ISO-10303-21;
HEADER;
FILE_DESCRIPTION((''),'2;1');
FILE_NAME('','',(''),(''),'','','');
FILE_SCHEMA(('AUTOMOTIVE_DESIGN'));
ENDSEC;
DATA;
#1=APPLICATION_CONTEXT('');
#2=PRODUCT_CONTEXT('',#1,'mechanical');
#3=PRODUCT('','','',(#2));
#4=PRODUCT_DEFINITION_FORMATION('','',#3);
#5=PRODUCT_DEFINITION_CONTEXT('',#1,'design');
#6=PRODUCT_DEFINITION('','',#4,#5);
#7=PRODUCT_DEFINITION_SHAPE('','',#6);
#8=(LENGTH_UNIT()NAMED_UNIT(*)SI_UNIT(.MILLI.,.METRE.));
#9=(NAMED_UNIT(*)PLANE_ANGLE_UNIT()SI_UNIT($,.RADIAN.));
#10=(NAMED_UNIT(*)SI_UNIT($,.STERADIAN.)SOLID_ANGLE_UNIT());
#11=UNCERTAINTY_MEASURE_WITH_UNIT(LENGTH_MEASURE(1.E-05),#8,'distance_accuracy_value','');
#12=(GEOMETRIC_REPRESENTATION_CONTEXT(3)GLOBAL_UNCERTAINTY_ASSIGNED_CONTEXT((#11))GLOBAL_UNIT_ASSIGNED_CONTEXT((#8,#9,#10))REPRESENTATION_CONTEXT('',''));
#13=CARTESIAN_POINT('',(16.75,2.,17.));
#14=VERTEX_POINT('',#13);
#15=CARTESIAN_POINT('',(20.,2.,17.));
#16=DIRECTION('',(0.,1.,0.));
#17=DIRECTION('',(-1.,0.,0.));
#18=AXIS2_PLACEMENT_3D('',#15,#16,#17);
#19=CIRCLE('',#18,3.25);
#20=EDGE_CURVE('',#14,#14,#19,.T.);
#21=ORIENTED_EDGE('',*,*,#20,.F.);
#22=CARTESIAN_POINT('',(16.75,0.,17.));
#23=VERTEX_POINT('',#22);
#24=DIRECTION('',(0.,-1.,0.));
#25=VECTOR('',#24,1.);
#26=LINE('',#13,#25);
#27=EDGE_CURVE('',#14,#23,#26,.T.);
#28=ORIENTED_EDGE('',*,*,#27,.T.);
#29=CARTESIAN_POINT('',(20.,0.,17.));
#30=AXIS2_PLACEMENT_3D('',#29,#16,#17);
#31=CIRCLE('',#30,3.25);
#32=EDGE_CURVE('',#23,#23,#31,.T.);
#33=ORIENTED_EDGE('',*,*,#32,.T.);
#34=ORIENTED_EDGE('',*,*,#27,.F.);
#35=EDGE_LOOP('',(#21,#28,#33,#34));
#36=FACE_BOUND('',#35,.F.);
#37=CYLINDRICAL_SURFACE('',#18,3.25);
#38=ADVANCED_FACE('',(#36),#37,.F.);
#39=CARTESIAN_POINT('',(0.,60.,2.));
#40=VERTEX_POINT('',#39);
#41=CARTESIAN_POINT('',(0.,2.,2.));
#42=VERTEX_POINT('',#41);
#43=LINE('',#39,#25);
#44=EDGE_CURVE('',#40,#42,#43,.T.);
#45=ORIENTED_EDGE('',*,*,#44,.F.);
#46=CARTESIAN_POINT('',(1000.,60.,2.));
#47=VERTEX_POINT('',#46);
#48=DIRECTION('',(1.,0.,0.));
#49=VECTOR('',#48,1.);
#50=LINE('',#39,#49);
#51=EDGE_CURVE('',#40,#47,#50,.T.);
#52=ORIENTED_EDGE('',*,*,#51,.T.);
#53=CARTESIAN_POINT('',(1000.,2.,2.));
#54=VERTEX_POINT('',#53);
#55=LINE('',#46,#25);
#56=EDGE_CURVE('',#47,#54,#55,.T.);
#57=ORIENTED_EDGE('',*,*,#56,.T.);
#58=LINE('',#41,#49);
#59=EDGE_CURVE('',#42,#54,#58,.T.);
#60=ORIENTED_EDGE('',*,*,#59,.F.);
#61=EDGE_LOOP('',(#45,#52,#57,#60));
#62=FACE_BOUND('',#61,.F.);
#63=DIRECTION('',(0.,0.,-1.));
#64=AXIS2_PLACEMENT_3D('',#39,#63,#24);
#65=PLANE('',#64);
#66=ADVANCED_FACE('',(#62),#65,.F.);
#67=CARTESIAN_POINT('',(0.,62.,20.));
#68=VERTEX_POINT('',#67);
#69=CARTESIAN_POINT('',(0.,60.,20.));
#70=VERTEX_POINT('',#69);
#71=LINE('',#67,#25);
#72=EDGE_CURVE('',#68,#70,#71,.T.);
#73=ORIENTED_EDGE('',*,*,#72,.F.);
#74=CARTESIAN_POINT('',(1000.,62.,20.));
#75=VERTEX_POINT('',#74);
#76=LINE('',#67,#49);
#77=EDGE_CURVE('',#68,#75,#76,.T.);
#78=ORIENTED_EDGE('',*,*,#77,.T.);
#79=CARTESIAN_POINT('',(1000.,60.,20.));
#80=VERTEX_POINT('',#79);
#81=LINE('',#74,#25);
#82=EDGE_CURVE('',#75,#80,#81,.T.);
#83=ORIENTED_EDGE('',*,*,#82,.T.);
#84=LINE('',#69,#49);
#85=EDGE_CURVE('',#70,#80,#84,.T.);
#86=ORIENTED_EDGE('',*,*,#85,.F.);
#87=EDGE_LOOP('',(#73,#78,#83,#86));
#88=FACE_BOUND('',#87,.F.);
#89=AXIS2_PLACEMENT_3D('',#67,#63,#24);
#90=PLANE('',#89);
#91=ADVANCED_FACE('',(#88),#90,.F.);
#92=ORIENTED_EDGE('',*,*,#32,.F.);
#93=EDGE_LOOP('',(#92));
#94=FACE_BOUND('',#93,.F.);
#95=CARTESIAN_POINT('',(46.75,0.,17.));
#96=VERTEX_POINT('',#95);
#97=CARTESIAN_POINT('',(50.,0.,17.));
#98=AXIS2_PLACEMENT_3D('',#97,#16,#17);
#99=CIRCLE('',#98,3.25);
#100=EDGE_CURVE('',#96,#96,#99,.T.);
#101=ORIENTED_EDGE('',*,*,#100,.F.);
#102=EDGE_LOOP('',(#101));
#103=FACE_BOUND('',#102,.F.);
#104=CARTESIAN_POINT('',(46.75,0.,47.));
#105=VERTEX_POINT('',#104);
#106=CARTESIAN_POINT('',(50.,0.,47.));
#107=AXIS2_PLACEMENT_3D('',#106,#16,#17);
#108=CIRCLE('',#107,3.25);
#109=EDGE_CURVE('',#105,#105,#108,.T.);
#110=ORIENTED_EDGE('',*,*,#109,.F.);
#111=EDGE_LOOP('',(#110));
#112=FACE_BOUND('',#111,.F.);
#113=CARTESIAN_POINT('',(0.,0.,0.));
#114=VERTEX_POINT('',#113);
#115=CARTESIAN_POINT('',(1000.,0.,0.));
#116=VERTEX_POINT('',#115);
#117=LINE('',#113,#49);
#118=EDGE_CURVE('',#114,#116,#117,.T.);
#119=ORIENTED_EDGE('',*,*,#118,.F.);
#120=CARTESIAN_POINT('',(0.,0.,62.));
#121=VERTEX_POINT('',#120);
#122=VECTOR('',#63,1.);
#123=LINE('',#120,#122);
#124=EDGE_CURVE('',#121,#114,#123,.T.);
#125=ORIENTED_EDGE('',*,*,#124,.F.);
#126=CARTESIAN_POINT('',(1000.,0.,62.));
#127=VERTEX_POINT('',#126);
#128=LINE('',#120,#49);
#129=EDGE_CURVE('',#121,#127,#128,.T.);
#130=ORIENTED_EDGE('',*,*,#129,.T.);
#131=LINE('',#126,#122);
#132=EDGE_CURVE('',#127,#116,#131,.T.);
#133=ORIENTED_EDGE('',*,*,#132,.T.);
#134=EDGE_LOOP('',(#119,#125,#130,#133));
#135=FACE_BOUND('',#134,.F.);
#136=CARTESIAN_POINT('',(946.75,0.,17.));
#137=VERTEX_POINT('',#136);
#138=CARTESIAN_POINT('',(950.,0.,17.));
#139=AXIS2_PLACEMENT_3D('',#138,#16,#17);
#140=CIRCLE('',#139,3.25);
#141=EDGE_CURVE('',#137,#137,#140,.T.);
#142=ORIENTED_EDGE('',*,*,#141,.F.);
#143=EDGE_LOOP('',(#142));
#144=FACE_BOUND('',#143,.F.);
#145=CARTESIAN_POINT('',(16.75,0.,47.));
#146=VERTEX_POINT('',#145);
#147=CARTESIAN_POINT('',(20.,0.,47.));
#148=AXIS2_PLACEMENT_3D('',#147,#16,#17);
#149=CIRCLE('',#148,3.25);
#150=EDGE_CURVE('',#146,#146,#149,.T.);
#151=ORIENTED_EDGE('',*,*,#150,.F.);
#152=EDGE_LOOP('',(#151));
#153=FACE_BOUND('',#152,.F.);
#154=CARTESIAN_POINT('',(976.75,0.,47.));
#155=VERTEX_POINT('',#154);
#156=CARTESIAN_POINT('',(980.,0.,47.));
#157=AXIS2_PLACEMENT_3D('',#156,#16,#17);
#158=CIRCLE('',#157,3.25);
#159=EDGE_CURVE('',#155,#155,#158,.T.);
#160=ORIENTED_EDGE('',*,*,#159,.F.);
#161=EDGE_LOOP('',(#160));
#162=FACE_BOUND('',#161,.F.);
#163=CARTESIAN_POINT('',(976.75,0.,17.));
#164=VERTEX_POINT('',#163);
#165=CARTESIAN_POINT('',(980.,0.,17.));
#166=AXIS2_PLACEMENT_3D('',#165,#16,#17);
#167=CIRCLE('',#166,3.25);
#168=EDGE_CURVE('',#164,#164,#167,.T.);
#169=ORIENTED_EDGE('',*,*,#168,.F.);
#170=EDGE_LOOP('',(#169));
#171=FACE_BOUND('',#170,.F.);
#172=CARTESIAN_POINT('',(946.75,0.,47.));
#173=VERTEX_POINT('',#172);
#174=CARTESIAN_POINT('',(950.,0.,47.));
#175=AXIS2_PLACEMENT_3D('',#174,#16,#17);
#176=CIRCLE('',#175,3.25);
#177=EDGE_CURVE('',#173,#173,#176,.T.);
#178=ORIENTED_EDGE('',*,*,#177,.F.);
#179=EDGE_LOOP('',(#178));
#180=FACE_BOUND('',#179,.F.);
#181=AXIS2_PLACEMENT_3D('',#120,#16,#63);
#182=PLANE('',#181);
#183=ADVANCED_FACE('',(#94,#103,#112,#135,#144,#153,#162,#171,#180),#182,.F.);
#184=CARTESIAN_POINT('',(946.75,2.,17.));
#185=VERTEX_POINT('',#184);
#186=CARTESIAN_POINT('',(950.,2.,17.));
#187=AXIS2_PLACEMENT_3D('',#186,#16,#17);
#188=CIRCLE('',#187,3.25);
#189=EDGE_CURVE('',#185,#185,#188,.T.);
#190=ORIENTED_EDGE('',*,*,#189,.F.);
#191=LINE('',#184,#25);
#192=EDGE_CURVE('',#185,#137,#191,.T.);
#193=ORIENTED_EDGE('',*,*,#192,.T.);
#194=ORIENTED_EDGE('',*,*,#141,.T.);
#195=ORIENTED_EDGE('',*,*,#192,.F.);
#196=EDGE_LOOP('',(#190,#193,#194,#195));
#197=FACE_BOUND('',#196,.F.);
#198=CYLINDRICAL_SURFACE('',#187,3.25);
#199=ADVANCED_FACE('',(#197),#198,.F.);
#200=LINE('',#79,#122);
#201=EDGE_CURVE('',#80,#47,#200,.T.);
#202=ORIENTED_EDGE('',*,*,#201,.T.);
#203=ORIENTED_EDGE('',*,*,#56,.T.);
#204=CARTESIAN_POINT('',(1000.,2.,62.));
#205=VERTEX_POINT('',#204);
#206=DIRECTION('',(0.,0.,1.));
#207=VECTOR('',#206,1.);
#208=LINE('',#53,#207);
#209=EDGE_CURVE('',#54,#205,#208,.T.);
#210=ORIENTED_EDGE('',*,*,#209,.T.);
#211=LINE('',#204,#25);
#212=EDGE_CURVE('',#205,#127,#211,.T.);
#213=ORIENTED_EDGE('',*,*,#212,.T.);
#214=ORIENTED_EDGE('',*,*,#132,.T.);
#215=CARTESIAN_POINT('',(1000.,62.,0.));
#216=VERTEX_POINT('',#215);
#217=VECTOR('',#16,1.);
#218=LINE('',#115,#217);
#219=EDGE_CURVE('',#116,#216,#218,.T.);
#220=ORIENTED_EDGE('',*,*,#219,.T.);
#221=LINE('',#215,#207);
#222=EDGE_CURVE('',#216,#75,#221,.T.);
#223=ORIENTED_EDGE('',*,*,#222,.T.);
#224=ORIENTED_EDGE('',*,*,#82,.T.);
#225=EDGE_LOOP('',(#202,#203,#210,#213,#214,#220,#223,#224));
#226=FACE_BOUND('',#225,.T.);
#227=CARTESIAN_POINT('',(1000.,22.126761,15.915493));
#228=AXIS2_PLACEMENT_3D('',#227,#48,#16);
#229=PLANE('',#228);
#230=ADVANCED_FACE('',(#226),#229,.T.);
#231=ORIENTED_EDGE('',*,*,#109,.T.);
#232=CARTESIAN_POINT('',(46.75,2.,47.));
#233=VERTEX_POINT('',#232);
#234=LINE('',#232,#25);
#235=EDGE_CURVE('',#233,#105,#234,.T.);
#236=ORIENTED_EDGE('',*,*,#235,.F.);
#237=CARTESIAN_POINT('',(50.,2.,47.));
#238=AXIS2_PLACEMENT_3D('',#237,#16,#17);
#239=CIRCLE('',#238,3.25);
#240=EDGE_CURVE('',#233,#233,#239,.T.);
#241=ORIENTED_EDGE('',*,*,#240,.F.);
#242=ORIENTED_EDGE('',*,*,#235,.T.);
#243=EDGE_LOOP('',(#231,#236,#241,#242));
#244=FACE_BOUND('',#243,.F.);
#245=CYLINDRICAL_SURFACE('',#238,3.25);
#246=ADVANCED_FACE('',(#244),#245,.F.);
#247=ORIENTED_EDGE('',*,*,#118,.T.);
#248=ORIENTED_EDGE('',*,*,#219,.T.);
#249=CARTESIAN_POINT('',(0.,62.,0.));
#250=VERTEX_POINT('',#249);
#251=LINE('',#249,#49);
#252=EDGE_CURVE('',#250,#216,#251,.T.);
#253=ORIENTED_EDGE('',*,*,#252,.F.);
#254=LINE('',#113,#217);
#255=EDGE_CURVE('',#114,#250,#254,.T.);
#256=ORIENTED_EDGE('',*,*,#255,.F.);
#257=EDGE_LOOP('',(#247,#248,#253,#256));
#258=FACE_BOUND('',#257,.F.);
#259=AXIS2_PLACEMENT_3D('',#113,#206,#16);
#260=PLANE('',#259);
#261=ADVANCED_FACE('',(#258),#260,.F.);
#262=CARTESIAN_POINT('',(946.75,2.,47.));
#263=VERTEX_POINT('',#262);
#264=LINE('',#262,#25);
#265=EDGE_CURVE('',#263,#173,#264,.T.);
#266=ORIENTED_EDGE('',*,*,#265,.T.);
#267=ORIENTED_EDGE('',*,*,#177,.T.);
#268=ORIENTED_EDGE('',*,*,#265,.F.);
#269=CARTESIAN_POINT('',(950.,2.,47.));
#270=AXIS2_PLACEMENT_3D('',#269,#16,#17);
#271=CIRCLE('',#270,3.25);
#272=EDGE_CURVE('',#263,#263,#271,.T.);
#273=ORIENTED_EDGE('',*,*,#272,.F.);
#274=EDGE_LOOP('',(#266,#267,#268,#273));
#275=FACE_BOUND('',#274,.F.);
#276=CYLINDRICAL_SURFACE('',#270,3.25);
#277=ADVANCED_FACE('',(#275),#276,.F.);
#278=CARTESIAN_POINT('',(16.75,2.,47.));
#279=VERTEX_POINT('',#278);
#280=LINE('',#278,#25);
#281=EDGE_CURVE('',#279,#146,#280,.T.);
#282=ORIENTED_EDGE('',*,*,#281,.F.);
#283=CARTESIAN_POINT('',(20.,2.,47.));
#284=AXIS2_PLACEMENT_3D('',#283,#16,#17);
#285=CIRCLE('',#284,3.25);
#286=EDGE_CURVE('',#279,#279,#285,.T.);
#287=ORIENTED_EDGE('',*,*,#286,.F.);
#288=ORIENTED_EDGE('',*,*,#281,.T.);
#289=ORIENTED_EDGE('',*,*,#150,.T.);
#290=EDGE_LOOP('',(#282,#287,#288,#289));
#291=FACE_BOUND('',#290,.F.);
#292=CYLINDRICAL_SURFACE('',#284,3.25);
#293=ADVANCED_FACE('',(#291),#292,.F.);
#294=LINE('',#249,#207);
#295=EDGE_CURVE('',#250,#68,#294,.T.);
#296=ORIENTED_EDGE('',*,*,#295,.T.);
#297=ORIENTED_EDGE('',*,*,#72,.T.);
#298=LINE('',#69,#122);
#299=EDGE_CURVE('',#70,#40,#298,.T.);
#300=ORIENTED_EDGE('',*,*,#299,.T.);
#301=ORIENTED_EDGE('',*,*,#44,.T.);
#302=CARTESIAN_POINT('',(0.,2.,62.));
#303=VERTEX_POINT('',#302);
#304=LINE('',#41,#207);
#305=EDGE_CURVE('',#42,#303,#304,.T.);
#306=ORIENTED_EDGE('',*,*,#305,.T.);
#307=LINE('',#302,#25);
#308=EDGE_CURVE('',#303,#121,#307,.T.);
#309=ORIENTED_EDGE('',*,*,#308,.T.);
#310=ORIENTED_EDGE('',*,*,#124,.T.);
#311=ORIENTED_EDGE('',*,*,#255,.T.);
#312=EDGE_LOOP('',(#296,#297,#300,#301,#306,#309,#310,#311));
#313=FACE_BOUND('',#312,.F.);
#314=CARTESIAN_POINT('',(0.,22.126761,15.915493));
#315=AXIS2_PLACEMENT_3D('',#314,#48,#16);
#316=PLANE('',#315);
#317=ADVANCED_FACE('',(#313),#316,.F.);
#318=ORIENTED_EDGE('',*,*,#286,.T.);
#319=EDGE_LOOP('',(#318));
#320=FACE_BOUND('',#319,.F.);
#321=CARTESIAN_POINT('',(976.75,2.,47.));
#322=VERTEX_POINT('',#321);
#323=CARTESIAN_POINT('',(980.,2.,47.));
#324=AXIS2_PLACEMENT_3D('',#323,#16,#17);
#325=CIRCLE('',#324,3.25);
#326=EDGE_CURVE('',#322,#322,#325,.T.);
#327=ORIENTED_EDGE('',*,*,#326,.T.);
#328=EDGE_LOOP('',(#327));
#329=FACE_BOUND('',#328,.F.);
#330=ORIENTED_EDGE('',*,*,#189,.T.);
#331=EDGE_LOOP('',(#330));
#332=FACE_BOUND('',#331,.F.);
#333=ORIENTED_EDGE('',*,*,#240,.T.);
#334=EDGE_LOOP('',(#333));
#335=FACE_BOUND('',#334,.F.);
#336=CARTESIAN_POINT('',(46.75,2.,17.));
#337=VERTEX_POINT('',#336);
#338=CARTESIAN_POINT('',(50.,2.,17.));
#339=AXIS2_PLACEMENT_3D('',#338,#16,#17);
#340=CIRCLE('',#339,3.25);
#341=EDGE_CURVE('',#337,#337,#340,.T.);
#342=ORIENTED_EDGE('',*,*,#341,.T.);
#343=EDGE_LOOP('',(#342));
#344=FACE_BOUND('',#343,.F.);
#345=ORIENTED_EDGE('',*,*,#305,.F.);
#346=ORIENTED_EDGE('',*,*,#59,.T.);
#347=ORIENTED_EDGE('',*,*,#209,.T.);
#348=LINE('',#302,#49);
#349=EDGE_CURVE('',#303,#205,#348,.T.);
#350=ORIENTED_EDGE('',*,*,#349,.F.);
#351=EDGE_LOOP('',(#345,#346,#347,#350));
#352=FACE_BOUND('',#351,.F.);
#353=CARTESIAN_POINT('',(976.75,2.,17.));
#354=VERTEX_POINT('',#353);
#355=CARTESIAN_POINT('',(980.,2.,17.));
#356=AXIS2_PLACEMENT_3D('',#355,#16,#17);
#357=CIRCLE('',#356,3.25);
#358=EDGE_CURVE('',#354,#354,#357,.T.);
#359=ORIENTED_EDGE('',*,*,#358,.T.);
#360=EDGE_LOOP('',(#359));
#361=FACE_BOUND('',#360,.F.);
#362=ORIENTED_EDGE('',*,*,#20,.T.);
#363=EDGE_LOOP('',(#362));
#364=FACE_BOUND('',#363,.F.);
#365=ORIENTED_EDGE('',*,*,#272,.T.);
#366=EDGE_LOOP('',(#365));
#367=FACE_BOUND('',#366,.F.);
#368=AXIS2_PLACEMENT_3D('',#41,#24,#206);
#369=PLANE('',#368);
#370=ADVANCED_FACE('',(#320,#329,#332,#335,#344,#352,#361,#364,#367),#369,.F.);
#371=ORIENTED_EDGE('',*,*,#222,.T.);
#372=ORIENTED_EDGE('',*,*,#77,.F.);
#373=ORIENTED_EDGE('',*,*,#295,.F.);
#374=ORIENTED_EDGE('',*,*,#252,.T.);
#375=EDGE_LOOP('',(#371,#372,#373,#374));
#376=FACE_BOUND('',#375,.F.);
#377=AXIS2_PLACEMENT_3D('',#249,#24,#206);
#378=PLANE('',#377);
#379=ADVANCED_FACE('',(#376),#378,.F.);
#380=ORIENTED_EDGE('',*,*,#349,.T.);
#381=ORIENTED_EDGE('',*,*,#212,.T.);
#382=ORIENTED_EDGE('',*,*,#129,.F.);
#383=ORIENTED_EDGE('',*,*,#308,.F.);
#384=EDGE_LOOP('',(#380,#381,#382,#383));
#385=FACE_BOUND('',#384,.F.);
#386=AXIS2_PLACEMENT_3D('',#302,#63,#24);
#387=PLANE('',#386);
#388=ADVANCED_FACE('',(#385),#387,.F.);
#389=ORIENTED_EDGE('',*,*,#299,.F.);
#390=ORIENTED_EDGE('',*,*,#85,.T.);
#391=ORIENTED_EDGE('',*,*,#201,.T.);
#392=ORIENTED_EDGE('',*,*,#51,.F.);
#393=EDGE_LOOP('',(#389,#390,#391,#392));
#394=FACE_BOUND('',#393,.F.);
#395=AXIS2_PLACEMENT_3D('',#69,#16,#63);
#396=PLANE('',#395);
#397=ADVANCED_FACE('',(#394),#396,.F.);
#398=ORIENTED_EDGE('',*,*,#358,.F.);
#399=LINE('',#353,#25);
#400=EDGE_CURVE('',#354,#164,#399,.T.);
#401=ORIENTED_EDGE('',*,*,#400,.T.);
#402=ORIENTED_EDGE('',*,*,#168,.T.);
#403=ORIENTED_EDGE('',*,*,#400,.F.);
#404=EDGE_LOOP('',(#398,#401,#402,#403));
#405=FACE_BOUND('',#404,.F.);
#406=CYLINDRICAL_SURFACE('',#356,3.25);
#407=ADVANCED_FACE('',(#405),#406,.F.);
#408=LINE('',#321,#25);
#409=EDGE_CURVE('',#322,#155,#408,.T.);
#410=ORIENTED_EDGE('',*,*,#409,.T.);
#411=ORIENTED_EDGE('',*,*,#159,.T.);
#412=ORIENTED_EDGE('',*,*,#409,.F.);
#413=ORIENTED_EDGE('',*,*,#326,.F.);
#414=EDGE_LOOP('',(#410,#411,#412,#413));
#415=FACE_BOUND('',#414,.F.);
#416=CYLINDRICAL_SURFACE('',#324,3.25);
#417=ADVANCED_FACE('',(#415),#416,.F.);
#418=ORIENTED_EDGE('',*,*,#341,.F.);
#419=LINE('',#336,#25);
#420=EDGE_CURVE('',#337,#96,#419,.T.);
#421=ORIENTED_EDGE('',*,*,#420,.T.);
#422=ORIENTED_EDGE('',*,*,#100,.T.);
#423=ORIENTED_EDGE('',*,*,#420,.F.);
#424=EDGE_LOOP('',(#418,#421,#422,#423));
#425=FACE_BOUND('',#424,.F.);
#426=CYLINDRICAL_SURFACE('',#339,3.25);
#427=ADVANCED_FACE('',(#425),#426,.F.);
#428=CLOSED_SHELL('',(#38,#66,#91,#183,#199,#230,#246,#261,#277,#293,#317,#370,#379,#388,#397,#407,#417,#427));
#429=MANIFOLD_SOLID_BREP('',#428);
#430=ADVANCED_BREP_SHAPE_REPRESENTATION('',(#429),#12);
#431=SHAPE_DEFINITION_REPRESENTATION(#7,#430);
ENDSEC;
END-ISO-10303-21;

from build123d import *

# Parameters (mm, degrees)
F1_DEPTH = 1000
F2_R     = 3.25
F3_DEPTH = 25


with BuildPart() as f1:
    # F0 (on Right) → F1 (new body)
    with BuildSketch(Plane.YZ):
        Polygon((0, 62), (0, 0), (62, 0), (62, 20), (60, 20), (60, 2), (2, 2), (2, 62), align=None)
    extrude(amount=F1_DEPTH)

    # F2 (on face) → F3 (cut)
    with BuildSketch(Plane(origin=(0, 2, 0), x_dir=(-1, 0, 0), z_dir=(0, 1, 0))):
        with Locations((-980, 47)):
            Circle(F2_R)
        with Locations((-950, 47)):
            Circle(F2_R)
        with Locations((-980, 17)):
            Circle(F2_R)
        with Locations((-950, 17)):
            Circle(F2_R)
        with Locations((-50, 47)):
            Circle(F2_R)
        with Locations((-20, 47)):
            Circle(F2_R)
        with Locations((-20, 17)):
            Circle(F2_R)
        with Locations((-50, 17)):
            Circle(F2_R)
    extrude(amount=-F3_DEPTH, mode=Mode.SUBTRACT)


solid = f1.part
